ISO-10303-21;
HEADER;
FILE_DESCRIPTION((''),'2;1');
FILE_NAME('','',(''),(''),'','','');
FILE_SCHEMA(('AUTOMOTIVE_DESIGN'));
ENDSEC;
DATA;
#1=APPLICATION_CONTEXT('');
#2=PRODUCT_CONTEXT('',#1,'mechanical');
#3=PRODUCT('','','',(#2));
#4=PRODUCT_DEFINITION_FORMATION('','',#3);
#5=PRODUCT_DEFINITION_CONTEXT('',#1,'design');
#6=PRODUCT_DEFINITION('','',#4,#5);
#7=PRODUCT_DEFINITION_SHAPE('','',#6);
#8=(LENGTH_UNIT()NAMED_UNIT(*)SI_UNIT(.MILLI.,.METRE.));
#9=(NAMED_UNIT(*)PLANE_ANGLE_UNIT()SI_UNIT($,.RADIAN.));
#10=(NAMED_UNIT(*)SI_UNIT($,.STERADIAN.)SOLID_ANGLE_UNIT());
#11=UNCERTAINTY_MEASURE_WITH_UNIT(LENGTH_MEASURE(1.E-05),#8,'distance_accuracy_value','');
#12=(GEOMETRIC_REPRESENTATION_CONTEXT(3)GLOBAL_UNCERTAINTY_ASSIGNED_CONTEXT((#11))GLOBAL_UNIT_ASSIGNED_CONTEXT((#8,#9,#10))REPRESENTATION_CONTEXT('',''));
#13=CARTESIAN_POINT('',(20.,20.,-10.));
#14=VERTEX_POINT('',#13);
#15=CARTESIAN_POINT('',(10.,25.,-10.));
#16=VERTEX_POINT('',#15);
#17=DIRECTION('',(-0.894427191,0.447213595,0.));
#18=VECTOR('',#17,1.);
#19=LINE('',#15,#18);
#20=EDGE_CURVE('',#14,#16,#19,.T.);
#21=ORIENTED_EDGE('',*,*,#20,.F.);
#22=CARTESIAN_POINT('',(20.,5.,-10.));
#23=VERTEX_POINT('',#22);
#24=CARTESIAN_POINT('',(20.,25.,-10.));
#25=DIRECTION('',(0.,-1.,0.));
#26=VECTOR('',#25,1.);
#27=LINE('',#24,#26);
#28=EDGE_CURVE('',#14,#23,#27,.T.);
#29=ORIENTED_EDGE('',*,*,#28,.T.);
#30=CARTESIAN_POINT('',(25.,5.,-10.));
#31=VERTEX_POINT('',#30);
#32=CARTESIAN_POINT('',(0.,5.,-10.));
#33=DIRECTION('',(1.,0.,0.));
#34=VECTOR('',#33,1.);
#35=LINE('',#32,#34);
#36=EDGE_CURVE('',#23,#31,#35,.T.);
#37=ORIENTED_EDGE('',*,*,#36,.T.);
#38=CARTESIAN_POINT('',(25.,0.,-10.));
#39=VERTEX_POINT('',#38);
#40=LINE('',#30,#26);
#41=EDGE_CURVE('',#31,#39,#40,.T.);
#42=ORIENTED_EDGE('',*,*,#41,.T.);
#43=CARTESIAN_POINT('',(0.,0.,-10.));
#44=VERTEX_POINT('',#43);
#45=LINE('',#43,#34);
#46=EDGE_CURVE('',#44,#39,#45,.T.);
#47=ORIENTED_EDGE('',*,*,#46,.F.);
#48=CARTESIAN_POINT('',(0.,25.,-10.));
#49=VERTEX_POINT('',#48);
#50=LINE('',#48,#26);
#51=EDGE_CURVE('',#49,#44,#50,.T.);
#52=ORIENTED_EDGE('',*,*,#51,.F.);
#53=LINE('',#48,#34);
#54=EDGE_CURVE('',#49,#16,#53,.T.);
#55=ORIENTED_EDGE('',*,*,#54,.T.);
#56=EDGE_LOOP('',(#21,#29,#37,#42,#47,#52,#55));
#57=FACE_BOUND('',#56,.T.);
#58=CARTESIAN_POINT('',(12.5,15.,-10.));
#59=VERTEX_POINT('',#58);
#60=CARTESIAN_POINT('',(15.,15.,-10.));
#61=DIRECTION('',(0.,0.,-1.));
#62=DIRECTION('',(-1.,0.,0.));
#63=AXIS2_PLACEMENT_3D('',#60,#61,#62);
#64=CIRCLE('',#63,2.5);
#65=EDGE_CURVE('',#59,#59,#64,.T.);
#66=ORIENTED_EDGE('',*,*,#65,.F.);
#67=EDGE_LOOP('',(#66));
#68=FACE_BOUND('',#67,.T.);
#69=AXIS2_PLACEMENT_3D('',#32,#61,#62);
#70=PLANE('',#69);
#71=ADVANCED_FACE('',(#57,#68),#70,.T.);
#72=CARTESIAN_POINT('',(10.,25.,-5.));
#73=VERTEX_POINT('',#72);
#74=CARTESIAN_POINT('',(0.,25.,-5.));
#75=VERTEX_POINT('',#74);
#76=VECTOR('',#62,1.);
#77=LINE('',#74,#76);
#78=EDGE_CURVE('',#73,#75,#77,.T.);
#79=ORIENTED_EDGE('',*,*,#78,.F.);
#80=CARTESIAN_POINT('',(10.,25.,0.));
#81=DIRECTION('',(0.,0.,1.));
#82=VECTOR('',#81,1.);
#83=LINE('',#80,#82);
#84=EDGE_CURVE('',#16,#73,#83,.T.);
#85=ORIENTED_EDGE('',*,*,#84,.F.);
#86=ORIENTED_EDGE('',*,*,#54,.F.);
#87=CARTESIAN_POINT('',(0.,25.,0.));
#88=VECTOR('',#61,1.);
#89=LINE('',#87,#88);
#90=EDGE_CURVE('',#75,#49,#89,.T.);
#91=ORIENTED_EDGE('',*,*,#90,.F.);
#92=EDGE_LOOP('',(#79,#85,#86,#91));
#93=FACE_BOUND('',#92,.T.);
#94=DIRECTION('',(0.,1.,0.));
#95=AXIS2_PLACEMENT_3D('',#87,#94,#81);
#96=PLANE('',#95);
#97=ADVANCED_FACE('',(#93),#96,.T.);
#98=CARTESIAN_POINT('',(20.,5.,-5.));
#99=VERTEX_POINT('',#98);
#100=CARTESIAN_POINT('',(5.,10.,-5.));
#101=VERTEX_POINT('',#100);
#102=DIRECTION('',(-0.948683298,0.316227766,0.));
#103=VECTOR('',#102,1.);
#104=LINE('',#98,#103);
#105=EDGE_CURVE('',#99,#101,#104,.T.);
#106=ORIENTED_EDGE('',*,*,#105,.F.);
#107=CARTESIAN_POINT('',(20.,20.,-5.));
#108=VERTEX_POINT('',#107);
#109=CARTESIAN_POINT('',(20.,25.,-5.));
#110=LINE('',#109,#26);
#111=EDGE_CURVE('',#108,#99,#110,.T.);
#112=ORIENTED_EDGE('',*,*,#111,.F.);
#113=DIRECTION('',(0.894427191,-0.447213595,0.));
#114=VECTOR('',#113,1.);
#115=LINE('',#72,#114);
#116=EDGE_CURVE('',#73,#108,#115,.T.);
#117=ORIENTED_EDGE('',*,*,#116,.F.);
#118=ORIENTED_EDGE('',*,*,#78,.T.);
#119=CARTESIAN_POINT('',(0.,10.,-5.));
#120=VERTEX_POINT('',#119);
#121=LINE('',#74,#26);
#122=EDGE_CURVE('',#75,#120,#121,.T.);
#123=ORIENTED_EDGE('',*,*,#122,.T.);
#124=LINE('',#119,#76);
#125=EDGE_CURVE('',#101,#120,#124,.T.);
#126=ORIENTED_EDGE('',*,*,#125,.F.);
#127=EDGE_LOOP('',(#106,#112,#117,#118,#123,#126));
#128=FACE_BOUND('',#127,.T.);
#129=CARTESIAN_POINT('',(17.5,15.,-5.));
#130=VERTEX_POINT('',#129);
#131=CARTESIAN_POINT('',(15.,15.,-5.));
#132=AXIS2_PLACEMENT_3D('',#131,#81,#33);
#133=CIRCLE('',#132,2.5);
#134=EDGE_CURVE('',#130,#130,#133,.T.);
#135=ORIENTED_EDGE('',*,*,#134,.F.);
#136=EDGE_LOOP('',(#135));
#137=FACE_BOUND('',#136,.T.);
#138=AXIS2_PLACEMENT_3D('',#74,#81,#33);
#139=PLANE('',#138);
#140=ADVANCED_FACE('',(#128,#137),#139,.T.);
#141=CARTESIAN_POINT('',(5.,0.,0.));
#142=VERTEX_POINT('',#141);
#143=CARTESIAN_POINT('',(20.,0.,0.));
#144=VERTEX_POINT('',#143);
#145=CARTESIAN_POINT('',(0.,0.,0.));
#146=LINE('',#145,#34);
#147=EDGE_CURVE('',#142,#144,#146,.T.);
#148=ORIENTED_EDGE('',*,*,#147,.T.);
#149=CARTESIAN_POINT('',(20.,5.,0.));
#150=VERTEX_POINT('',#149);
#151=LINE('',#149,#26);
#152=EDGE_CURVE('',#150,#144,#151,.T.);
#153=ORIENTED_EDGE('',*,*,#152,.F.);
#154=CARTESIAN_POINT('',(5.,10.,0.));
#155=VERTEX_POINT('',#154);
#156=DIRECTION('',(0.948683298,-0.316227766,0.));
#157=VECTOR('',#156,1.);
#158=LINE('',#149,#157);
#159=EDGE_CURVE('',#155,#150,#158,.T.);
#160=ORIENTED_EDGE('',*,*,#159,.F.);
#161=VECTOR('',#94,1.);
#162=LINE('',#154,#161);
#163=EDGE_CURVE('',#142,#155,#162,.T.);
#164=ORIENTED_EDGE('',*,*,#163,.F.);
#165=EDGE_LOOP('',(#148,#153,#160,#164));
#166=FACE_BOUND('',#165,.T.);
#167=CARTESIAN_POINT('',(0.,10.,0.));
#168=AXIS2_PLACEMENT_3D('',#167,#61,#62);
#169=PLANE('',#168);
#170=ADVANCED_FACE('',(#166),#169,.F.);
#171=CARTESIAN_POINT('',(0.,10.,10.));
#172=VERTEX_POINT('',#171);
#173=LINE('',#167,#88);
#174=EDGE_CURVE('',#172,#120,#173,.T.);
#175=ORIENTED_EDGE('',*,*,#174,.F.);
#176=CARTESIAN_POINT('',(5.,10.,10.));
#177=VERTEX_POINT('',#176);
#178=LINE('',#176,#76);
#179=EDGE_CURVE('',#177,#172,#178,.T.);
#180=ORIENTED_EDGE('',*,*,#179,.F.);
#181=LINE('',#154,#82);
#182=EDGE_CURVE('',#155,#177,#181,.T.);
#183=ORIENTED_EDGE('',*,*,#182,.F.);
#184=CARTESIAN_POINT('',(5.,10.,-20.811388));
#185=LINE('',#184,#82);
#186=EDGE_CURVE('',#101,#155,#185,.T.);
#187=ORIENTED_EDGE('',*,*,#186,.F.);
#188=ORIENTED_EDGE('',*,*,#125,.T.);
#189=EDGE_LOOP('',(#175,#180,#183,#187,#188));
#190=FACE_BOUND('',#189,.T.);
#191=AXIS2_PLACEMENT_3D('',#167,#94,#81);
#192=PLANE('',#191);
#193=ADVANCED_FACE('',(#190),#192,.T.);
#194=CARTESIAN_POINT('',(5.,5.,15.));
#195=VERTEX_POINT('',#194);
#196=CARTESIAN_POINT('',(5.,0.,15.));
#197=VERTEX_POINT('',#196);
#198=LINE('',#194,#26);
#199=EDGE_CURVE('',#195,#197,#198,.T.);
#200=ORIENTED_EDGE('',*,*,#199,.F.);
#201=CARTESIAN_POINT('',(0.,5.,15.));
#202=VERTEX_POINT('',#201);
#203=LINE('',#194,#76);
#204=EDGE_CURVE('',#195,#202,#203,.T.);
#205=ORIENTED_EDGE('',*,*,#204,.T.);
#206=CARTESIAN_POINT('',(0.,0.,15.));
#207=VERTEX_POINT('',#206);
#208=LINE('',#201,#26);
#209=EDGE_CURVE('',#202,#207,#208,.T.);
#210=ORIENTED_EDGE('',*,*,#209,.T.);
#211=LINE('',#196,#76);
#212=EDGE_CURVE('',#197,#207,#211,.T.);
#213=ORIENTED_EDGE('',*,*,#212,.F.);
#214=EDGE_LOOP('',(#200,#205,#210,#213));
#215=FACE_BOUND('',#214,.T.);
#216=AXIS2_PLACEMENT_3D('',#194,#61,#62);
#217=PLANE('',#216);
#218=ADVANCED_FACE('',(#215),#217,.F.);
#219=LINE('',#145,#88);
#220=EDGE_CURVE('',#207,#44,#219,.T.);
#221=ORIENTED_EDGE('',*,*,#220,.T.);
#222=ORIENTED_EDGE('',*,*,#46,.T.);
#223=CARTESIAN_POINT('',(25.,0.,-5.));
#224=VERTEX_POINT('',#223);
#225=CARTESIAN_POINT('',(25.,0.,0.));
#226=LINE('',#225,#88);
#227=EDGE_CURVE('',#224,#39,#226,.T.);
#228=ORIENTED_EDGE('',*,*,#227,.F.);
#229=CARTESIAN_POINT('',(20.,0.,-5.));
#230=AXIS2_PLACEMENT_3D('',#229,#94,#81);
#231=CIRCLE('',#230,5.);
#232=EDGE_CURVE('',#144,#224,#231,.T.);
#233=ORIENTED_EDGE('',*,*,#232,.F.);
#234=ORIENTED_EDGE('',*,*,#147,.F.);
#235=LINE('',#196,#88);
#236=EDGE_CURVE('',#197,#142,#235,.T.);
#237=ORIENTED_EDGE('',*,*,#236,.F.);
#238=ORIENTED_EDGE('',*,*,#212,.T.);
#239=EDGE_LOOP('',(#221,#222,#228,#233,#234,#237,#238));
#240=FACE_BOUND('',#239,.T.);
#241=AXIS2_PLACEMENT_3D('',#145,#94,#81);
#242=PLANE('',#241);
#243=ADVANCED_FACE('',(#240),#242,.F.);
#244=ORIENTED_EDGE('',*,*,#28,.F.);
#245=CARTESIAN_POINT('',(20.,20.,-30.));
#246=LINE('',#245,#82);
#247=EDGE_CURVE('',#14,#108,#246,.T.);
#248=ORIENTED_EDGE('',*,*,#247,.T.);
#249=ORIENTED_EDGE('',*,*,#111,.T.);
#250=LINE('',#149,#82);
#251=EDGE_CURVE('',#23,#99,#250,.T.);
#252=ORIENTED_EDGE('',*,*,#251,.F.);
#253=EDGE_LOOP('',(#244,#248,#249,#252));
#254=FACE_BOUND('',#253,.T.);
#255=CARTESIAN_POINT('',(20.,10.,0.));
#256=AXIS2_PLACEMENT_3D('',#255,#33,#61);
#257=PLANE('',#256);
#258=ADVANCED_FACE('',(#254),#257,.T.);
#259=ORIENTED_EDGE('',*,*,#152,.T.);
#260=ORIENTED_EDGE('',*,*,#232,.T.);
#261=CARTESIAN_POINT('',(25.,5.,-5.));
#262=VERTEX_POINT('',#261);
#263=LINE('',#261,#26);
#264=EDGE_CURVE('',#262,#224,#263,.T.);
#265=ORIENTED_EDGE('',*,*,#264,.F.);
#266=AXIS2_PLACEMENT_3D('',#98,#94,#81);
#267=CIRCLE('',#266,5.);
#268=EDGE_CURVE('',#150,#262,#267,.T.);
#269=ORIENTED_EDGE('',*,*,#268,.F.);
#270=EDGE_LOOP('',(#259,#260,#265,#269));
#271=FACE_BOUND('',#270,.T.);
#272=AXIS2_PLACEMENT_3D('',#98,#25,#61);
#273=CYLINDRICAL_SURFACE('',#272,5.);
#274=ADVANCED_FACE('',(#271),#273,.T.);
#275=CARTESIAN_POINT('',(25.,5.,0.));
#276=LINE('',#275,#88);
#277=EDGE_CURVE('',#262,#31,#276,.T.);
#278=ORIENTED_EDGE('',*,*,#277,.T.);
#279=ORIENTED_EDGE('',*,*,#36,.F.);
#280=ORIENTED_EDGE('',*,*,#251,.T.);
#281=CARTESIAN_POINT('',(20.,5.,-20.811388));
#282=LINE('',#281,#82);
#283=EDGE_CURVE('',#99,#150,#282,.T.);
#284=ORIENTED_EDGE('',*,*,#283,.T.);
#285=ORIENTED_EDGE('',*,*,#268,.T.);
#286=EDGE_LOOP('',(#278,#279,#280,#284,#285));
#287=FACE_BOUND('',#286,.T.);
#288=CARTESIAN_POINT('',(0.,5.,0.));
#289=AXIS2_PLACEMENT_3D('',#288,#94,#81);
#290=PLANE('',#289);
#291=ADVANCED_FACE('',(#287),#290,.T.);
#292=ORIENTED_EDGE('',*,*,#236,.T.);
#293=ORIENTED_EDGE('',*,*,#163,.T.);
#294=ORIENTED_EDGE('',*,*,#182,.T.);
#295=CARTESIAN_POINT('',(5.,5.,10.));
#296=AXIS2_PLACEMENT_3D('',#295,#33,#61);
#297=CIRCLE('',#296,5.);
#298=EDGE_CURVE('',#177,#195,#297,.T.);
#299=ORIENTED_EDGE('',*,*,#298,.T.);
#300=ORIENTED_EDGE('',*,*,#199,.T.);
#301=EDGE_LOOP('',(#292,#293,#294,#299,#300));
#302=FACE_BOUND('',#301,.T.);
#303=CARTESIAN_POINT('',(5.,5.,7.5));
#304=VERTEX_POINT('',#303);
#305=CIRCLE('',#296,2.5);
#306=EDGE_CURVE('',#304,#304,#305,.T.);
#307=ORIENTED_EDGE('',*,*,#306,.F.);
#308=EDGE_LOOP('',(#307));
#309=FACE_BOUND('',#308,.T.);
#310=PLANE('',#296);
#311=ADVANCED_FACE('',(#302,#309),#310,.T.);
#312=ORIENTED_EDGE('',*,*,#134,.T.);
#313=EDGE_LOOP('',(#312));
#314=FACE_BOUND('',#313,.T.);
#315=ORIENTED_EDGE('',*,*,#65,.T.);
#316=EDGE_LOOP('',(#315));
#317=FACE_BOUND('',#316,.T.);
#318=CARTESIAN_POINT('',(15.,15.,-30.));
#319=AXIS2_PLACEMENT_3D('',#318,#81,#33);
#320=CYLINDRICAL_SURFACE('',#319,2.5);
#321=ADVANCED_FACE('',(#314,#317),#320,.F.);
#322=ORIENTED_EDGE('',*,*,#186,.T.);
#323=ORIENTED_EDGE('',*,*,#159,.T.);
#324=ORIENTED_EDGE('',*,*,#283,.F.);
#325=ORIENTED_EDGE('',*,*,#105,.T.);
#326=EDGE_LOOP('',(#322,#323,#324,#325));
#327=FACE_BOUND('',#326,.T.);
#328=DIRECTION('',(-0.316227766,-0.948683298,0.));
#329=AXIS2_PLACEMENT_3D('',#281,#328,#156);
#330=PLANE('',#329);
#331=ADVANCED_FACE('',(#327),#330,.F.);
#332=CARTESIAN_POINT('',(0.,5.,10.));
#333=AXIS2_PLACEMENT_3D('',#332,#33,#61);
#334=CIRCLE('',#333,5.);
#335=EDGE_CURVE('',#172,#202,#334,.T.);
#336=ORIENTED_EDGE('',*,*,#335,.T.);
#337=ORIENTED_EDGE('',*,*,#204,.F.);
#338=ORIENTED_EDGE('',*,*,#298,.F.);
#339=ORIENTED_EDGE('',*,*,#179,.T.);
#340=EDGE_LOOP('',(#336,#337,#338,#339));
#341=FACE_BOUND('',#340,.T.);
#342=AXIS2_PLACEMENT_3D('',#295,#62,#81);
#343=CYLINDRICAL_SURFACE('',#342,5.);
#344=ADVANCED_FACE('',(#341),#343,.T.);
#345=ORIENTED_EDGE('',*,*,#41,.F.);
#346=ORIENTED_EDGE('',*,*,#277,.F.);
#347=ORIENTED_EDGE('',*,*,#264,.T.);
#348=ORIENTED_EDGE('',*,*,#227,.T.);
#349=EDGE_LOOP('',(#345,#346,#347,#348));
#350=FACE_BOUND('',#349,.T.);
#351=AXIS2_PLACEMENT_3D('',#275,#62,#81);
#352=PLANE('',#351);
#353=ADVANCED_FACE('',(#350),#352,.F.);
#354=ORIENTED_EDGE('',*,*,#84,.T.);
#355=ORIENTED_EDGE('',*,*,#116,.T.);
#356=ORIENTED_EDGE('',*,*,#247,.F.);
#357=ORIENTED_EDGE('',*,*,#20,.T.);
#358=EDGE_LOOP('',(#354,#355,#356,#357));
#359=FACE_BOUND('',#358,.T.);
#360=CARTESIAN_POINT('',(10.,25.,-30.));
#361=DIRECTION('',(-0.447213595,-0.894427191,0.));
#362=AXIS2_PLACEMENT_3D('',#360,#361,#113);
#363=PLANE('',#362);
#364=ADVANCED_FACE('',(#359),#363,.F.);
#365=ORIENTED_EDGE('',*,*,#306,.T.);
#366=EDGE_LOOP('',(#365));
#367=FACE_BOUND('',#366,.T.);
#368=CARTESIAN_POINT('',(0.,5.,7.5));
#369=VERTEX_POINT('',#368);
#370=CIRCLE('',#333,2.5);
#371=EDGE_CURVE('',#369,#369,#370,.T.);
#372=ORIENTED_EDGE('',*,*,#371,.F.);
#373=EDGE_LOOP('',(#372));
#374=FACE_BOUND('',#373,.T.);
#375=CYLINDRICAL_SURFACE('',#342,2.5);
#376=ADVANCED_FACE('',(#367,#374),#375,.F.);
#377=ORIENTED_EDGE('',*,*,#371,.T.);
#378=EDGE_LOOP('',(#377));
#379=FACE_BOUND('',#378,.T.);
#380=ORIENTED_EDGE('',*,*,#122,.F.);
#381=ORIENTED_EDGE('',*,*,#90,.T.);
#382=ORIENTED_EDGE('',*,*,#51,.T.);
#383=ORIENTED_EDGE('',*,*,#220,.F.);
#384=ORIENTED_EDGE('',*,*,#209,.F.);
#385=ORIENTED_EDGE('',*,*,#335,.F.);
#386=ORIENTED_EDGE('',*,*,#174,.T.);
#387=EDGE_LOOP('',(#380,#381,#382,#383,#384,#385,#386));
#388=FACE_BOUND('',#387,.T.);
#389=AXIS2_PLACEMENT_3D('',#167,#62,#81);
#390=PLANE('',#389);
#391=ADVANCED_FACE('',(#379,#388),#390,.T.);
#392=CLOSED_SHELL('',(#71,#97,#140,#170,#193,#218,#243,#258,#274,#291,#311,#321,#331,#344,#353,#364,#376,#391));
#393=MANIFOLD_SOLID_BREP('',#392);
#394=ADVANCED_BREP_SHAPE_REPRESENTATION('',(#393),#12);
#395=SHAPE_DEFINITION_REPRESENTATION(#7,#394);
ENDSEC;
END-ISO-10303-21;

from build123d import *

# Parameters (mm, degrees)
EXTRUDE_1_DEPTH     = 5
SKETCH_1_3_W        = 20
SKETCH_1_3_H        = 5
EXTRUDE_2_DEPTH     = 10
SKETCH_1_4_W        = 20
SKETCH_1_4_H        = 5
EXTRUDE_3_DEPTH     = 25
SKETCH_2_R          = 2.5
CUT_EXTRUDE_1_DEPTH = 25
CUT_EXTRUDE_2_DEPTH = 5
SKETCH_4_R          = 2.5
EXTRUDE_4_DEPTH     = 5


with BuildPart() as part:
    # 草圖1 → 填料-伸長1 (new body)
    with BuildSketch(Plane(origin=(0, 0, 0), x_dir=(1, 0, 0), z_dir=(0, 1, 0))):
        with BuildLine():
            Line((20, 10), (20, 5))
            Line((20, 5), (20, 0))
            ThreePointArc((20, 0), (23.535533906, 1.464466094), (25, 5))
            Line((25, 5), (25, 10))
            Line((25, 10), (20, 10))
        make_face()
    extrude(amount=EXTRUDE_1_DEPTH)

    # 草圖1<3> → 填料-伸長2 (add)
    with BuildSketch(Plane(origin=(0, 0, 0), x_dir=(1, 0, 0), z_dir=(0, 1, 0))):
        with Locations((10, 2.5)):
            Rectangle(SKETCH_1_3_W, SKETCH_1_3_H)
    extrude(amount=EXTRUDE_2_DEPTH)

    # 草圖1<4> → 填料-伸長3 (add)
    with BuildSketch(Plane(origin=(0, 0, 0), x_dir=(1, 0, 0), z_dir=(0, 1, 0))):
        with Locations((10, 7.5)):
            Rectangle(SKETCH_1_4_W, SKETCH_1_4_H)
    extrude(amount=EXTRUDE_3_DEPTH)

    # 草圖2 → 除料-伸長1 (cut)
    with BuildSketch(Plane.XY.offset(-5)):
        with Locations((15, 15)):
            Circle(SKETCH_2_R)
        Polygon((10, 25), (20, 20), (20, 25), align=None)
    extrude(amount=-CUT_EXTRUDE_1_DEPTH, mode=Mode.SUBTRACT)

    # 草圖3 → 除料-伸長2 (cut)
    with BuildSketch(Plane.XY):
        Polygon((20, 5), (5, 10), (20, 10), align=None)
    extrude(amount=-CUT_EXTRUDE_2_DEPTH, mode=Mode.SUBTRACT)

    # 草圖4 → 填料-伸長4 (add)
    with BuildSketch(Plane(origin=(0, 0, 0), x_dir=(0, 0, -1), z_dir=(1, 0, 0))):
        with BuildLine():
            Line((0, 10), (-10, 10))
            ThreePointArc((-10, 10), (-13.535533906, 8.535533906), (-15, 5))
            Line((-15, 5), (-15, 0))
            Line((-15, 0), (0, 0))
            Line((0, 0), (0, 10))
        make_face()
        with Locations((-10, 5)):
            Circle(SKETCH_4_R, mode=Mode.SUBTRACT)
    extrude(amount=EXTRUDE_4_DEPTH)


solid = part.part
